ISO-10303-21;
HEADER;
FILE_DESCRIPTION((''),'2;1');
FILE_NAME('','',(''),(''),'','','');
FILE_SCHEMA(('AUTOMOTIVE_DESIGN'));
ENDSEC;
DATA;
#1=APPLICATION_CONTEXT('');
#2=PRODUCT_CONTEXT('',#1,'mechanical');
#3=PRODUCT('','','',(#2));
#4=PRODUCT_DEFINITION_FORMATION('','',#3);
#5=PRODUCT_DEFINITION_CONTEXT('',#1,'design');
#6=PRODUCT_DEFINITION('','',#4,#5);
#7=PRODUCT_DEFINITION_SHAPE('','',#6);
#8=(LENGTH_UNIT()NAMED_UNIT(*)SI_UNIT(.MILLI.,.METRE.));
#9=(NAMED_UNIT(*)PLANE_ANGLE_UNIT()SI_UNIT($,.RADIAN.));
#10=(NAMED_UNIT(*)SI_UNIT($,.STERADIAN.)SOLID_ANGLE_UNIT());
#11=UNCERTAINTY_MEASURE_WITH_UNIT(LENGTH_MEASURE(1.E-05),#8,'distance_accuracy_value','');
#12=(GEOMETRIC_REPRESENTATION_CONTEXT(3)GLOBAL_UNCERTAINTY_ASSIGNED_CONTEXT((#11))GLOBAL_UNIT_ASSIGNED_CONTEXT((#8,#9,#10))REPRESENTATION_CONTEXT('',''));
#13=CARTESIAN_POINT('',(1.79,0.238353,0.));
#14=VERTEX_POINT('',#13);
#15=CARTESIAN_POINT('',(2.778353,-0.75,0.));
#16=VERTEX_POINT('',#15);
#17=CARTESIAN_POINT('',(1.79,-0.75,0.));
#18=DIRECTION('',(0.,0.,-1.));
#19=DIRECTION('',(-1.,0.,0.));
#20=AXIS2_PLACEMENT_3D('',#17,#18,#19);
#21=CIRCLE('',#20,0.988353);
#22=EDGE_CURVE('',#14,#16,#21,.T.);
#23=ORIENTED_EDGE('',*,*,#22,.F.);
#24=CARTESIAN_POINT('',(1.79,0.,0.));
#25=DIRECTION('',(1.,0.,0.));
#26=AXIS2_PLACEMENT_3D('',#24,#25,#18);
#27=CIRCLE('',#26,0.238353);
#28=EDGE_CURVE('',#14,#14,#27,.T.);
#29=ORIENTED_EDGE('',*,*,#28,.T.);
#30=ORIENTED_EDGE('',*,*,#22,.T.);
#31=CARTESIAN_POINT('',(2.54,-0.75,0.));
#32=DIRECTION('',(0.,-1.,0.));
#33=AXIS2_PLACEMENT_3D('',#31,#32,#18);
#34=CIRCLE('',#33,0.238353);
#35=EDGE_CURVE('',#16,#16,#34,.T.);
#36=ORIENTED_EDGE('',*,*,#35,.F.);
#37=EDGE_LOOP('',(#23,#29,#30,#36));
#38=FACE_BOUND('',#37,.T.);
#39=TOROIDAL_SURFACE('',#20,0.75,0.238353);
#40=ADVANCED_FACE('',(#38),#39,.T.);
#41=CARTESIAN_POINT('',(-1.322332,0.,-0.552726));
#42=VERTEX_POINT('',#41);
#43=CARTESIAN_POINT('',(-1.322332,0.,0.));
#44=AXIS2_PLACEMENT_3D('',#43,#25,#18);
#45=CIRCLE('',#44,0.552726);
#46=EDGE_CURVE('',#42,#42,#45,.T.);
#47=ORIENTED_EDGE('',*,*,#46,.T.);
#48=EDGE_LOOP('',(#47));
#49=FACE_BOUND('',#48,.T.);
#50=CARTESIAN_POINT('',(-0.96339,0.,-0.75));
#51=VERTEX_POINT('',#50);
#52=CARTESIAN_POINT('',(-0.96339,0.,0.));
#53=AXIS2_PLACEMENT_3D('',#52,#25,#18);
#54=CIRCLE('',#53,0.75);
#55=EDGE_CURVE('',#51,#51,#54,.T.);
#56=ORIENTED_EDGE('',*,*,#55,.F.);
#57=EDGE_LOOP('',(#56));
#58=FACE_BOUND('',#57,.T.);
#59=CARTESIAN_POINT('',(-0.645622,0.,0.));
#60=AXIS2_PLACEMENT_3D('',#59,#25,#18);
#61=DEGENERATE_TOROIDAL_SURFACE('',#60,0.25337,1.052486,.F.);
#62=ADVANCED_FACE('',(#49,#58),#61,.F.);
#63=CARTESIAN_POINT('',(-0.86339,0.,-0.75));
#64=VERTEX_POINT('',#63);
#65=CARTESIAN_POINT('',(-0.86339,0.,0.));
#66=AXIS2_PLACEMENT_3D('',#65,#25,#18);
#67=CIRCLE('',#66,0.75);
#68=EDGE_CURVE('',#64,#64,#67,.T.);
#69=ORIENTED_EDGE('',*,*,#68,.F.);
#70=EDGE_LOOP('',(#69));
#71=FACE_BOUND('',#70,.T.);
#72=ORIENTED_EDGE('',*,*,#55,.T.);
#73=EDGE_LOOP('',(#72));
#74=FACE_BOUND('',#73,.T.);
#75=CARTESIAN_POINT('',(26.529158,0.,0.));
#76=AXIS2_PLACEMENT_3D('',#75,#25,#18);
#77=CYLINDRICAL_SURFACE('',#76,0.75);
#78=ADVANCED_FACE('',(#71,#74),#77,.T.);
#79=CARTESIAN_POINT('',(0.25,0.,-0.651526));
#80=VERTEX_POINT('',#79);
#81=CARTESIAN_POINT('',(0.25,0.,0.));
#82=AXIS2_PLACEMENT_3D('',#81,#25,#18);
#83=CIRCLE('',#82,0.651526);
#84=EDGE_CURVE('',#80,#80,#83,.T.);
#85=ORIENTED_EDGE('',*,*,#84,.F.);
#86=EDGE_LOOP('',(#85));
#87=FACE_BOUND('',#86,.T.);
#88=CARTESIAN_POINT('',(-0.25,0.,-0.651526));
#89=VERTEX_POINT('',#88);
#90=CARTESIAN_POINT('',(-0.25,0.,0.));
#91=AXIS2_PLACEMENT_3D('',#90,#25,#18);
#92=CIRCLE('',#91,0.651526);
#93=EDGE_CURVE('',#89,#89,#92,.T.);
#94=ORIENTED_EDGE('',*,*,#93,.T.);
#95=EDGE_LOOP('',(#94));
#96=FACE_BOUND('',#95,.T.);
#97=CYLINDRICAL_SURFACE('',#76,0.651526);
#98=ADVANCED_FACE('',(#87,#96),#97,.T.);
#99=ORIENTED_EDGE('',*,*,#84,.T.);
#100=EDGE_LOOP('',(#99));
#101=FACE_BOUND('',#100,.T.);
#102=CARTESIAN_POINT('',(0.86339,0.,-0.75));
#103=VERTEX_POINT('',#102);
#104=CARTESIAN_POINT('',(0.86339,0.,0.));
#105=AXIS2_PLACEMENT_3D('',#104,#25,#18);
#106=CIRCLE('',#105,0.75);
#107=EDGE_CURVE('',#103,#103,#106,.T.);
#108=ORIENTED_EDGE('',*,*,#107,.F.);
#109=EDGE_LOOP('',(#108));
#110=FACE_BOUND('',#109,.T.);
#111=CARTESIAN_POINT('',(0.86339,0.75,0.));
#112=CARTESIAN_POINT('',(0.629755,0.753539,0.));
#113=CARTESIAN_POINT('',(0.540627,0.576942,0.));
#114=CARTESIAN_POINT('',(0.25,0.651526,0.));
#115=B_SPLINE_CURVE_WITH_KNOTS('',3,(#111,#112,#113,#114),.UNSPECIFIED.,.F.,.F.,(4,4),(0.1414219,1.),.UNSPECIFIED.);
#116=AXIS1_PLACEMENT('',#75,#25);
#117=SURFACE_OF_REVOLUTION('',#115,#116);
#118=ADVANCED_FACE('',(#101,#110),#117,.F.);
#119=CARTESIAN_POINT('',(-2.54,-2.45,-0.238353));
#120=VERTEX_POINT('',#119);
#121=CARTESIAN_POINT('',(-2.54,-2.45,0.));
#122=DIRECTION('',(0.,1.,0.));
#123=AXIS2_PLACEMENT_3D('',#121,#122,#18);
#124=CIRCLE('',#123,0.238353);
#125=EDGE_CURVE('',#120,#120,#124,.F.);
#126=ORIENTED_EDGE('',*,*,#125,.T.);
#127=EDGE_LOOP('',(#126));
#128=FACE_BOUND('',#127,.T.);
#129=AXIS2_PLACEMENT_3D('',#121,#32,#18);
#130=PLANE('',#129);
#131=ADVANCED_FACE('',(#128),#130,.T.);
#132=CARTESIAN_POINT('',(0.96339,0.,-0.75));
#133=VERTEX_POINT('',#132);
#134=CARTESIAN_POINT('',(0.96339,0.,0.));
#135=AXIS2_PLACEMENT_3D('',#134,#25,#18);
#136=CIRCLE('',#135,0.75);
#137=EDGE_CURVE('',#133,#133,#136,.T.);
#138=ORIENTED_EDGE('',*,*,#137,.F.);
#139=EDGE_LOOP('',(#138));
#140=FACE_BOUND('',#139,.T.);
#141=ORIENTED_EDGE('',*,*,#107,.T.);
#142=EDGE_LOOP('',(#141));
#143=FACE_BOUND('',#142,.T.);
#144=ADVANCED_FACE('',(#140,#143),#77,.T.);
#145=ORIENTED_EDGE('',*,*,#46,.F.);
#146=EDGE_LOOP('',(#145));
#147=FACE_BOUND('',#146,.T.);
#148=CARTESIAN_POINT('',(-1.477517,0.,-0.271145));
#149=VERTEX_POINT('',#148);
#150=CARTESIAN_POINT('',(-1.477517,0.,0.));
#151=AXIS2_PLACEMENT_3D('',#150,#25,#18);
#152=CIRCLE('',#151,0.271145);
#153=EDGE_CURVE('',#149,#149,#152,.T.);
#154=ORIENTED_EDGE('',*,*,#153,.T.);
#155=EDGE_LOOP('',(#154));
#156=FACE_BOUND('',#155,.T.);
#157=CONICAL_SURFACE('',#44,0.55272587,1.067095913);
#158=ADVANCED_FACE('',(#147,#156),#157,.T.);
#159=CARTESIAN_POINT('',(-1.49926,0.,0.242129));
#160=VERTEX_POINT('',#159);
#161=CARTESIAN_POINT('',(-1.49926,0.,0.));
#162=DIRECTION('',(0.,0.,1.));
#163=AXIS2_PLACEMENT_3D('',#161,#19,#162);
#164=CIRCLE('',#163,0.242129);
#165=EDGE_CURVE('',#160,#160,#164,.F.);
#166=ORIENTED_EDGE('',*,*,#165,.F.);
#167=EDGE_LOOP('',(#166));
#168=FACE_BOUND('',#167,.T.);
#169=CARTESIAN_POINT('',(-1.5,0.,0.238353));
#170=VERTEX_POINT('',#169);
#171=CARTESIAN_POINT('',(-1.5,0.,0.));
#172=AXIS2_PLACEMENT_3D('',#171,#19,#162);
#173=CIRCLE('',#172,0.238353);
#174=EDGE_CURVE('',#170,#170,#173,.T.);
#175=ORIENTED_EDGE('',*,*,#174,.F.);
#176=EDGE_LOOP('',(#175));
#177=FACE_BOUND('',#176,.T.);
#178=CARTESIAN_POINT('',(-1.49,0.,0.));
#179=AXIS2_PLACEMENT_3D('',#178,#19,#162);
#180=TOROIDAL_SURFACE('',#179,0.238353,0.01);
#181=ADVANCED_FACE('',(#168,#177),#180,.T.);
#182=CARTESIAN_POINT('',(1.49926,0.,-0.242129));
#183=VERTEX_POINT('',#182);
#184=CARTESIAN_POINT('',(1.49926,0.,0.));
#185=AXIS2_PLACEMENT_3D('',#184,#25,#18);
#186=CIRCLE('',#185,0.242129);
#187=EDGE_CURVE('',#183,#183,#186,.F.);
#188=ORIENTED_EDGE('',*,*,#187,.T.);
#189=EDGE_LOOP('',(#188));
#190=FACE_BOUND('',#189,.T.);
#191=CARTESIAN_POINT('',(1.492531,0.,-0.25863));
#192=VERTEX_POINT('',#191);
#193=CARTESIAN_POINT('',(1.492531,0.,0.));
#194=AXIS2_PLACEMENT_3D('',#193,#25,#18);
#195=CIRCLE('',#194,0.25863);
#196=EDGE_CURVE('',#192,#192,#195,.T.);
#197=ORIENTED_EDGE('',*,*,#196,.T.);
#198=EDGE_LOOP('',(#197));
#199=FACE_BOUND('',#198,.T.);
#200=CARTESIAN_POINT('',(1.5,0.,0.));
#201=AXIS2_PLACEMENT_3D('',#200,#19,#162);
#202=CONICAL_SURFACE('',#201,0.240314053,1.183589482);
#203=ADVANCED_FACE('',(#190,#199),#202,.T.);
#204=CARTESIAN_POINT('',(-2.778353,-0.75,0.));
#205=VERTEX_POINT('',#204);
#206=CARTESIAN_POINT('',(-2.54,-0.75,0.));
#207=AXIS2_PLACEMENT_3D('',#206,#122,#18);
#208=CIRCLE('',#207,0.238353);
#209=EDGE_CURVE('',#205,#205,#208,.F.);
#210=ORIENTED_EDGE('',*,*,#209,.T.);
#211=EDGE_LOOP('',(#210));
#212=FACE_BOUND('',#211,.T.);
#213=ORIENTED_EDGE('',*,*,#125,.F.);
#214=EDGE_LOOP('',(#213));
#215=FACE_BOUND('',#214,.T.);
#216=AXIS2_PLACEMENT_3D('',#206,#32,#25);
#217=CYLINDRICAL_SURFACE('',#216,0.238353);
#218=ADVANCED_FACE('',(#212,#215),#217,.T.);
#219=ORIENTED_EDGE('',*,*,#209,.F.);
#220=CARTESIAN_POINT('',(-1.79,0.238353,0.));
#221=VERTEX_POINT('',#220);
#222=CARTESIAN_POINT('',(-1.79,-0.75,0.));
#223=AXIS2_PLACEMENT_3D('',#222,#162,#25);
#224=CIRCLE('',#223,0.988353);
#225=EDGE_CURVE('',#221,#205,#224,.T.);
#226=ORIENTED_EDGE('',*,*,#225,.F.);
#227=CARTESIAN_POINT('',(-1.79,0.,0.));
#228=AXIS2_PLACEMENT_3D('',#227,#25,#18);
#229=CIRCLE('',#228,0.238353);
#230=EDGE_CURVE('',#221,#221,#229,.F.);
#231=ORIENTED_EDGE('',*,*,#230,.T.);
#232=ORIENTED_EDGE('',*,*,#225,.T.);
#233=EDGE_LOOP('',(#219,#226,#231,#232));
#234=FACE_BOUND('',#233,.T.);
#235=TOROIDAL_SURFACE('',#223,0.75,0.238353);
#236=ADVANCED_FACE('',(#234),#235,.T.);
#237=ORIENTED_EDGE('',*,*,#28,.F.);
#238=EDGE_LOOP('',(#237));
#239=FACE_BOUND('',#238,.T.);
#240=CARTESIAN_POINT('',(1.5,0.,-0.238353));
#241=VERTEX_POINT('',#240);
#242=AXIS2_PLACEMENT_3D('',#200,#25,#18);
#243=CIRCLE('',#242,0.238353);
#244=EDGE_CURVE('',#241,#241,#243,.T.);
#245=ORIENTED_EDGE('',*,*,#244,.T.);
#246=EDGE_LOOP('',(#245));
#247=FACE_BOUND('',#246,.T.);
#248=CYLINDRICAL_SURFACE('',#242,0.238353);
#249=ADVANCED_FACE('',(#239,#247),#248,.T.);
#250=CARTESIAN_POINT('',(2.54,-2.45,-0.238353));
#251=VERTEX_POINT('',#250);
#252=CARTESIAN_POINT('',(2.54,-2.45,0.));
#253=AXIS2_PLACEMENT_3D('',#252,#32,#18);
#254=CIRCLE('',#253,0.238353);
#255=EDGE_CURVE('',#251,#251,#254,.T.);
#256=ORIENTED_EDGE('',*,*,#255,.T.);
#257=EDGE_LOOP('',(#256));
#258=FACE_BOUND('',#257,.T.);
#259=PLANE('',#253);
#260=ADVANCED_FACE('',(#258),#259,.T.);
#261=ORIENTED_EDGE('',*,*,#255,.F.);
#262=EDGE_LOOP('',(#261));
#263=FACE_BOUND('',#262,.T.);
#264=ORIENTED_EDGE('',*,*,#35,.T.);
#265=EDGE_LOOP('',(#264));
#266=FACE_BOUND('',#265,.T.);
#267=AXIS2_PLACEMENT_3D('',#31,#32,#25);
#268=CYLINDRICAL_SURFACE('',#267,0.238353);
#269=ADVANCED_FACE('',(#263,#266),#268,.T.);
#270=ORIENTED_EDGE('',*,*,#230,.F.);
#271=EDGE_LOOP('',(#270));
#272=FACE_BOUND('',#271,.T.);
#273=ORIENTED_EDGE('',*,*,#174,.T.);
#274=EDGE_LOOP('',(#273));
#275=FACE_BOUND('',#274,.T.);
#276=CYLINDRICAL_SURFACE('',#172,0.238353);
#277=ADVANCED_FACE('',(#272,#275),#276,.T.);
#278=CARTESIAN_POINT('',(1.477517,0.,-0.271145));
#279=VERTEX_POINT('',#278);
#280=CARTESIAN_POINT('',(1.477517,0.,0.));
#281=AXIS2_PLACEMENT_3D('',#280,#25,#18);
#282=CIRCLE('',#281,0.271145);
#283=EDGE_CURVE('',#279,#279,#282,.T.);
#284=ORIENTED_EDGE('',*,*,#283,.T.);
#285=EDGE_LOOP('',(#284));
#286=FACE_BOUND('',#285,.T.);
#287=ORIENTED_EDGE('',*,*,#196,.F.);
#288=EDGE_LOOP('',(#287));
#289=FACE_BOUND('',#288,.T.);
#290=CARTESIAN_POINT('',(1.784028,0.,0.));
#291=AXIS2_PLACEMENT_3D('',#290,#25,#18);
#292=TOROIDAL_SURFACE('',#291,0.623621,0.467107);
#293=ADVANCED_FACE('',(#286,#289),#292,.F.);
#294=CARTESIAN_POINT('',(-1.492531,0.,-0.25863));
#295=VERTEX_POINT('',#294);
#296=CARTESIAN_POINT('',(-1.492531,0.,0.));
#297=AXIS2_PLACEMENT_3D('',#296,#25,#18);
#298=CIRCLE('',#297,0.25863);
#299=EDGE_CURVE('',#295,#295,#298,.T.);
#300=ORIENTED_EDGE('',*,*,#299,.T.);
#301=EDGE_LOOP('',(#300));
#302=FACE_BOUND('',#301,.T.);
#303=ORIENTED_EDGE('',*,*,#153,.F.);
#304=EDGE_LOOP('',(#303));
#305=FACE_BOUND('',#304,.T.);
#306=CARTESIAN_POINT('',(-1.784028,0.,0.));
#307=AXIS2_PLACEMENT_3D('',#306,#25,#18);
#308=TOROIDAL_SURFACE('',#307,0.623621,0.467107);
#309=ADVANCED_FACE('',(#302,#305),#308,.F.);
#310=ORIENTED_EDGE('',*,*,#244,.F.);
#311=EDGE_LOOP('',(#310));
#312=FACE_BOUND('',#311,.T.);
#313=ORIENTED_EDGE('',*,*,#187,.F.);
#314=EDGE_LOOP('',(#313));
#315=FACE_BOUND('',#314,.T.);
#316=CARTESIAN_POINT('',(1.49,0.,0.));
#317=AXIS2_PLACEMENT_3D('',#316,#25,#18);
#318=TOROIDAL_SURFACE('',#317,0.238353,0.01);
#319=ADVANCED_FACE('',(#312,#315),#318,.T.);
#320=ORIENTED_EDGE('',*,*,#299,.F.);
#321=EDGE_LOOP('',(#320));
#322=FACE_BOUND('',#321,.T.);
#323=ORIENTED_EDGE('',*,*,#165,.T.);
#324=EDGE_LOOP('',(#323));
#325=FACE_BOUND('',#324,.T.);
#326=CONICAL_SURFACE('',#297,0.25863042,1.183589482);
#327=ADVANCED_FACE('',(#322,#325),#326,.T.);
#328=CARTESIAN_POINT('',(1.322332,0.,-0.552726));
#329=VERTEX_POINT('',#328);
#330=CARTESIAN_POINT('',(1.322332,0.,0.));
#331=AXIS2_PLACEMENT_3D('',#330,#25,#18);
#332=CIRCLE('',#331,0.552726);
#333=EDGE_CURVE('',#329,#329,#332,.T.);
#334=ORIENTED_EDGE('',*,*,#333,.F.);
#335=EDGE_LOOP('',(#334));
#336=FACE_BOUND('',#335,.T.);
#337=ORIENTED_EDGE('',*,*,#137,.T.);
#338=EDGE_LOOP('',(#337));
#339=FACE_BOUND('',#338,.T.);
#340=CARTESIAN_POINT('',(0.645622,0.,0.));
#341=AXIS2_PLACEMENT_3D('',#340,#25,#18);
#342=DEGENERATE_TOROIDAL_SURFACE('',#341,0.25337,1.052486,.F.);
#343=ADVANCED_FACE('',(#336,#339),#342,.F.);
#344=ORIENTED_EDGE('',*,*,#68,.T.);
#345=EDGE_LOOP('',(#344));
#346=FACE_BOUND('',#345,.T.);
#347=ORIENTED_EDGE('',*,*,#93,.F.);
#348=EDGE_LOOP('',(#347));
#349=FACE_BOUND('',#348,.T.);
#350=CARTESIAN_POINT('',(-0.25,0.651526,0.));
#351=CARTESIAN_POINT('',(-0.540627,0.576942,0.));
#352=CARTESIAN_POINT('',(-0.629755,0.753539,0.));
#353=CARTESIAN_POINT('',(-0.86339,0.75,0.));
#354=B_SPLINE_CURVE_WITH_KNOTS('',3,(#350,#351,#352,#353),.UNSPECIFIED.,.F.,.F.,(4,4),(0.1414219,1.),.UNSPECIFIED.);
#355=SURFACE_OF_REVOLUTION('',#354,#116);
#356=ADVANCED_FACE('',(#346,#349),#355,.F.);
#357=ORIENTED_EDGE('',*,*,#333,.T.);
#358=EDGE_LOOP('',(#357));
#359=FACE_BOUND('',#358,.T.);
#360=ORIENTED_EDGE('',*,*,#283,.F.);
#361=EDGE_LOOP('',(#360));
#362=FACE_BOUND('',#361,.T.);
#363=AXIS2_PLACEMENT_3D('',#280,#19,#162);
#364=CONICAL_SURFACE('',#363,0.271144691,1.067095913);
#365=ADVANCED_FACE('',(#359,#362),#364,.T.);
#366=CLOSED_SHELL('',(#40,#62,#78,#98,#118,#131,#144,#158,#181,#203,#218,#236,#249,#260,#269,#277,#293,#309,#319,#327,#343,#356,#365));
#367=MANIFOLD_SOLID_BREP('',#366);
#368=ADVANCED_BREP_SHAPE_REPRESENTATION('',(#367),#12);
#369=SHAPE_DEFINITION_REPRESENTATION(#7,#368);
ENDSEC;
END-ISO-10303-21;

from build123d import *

# Parameters (mm, degrees)
FILLET_2_R = 0.01
CROQUIS5_R = 0.238353461


with BuildPart() as part:
    # Croquis1 → Revolución1 (revolve)
    with BuildSketch(Plane.XY, mode=Mode.PRIVATE) as revoluci_n1_sk:
        with BuildLine():
            Line((1.5, 0.240314053), (1.5, 0))
            Line((1.5, 0), (-1.5, 0))
            Line((-1.5, 0), (-1.5, 0.240314053))
            Line((-1.5, 0.240314053), (-1.492530704, 0.25863042))
            ThreePointArc((-1.492530704, 0.25863042), (-1.484958173, 0.264809016), (-1.477516569, 0.271144691))
            Line((-1.477516569, 0.271144691), (-1.322332385, 0.55272587))
            ThreePointArc((-1.322332385, 0.55272587), (-1.1525499, 0.668992005), (-0.963389621, 0.75))
            Line((-0.963389621, 0.75), (-0.863389621, 0.75))
            add(Edge.make_bspline(
                [(-0.863389621, 0.75), (-0.629755248, 0.75353904), (-0.540627107, 0.576942291), (-0.25, 0.651526231)],
                knots=[0.1414219, 0.1414219, 0.1414219, 0.1414219, 1, 1, 1, 1], degree=3))
            Line((-0.25, 0.651526231), (0.25, 0.651526231))
            add(Edge.make_bspline(
                [(0.863389621, 0.75), (0.629755248, 0.75353904), (0.540627107, 0.576942291), (0.25, 0.651526231)],
                knots=[0.1414219, 0.1414219, 0.1414219, 0.1414219, 1, 1, 1, 1], degree=3))
            Line((0.863389621, 0.75), (0.963389621, 0.75))
            ThreePointArc((0.963389621, 0.75), (1.1525499, 0.668992005), (1.322332385, 0.55272587))
            Line((1.322332385, 0.55272587), (1.477516569, 0.271144691))
            ThreePointArc((1.477516569, 0.271144691), (1.484958173, 0.264809016), (1.492530704, 0.25863042))
            Line((1.492530704, 0.25863042), (1.5, 0.240314053))
        make_face()
    revolve(revoluci_n1_sk.sketch.rotate(Axis((26.529158448, 0, 0), (-1, 0, 0)), 90), axis=Axis((26.529158448, 0, 0), (-1, 0, 0)))

    # Скругление2
    fillet_2_edges = [part.edges().sort_by_distance(p)[0] for p in [
        (1.5, 0, 0.240314053),
        (-1.5, 0, 0.240314053),
    ]]
    fillet(fillet_2_edges, radius=FILLET_2_R)

    # Barrer1: sweep along a path in Croquis6
    with BuildLine(Plane.XY) as barrer1_path:
        Line((1.5, 0), (1.79, 0))
        ThreePointArc((1.79, 0), (2.320330086, -0.219669914), (2.54, -0.75))
        Line((2.54, -0.75), (2.54, -2.45))
    # Croquis5 → Barrer1 (sweep)
    with BuildSketch(Plane(origin=(1.5, 0, 0), x_dir=(0, 0, -1), z_dir=(1, 0, 0))):
        Circle(CROQUIS5_R)
    barrer1 = sweep(path=barrer1_path.line)

    # Simetría1: Barrer1 across plane
    add(barrer1.mirror(Plane(origin=(0, 0, 0), x_dir=(0, 0, 1), z_dir=(1, 0, 0))))


solid = part.part
